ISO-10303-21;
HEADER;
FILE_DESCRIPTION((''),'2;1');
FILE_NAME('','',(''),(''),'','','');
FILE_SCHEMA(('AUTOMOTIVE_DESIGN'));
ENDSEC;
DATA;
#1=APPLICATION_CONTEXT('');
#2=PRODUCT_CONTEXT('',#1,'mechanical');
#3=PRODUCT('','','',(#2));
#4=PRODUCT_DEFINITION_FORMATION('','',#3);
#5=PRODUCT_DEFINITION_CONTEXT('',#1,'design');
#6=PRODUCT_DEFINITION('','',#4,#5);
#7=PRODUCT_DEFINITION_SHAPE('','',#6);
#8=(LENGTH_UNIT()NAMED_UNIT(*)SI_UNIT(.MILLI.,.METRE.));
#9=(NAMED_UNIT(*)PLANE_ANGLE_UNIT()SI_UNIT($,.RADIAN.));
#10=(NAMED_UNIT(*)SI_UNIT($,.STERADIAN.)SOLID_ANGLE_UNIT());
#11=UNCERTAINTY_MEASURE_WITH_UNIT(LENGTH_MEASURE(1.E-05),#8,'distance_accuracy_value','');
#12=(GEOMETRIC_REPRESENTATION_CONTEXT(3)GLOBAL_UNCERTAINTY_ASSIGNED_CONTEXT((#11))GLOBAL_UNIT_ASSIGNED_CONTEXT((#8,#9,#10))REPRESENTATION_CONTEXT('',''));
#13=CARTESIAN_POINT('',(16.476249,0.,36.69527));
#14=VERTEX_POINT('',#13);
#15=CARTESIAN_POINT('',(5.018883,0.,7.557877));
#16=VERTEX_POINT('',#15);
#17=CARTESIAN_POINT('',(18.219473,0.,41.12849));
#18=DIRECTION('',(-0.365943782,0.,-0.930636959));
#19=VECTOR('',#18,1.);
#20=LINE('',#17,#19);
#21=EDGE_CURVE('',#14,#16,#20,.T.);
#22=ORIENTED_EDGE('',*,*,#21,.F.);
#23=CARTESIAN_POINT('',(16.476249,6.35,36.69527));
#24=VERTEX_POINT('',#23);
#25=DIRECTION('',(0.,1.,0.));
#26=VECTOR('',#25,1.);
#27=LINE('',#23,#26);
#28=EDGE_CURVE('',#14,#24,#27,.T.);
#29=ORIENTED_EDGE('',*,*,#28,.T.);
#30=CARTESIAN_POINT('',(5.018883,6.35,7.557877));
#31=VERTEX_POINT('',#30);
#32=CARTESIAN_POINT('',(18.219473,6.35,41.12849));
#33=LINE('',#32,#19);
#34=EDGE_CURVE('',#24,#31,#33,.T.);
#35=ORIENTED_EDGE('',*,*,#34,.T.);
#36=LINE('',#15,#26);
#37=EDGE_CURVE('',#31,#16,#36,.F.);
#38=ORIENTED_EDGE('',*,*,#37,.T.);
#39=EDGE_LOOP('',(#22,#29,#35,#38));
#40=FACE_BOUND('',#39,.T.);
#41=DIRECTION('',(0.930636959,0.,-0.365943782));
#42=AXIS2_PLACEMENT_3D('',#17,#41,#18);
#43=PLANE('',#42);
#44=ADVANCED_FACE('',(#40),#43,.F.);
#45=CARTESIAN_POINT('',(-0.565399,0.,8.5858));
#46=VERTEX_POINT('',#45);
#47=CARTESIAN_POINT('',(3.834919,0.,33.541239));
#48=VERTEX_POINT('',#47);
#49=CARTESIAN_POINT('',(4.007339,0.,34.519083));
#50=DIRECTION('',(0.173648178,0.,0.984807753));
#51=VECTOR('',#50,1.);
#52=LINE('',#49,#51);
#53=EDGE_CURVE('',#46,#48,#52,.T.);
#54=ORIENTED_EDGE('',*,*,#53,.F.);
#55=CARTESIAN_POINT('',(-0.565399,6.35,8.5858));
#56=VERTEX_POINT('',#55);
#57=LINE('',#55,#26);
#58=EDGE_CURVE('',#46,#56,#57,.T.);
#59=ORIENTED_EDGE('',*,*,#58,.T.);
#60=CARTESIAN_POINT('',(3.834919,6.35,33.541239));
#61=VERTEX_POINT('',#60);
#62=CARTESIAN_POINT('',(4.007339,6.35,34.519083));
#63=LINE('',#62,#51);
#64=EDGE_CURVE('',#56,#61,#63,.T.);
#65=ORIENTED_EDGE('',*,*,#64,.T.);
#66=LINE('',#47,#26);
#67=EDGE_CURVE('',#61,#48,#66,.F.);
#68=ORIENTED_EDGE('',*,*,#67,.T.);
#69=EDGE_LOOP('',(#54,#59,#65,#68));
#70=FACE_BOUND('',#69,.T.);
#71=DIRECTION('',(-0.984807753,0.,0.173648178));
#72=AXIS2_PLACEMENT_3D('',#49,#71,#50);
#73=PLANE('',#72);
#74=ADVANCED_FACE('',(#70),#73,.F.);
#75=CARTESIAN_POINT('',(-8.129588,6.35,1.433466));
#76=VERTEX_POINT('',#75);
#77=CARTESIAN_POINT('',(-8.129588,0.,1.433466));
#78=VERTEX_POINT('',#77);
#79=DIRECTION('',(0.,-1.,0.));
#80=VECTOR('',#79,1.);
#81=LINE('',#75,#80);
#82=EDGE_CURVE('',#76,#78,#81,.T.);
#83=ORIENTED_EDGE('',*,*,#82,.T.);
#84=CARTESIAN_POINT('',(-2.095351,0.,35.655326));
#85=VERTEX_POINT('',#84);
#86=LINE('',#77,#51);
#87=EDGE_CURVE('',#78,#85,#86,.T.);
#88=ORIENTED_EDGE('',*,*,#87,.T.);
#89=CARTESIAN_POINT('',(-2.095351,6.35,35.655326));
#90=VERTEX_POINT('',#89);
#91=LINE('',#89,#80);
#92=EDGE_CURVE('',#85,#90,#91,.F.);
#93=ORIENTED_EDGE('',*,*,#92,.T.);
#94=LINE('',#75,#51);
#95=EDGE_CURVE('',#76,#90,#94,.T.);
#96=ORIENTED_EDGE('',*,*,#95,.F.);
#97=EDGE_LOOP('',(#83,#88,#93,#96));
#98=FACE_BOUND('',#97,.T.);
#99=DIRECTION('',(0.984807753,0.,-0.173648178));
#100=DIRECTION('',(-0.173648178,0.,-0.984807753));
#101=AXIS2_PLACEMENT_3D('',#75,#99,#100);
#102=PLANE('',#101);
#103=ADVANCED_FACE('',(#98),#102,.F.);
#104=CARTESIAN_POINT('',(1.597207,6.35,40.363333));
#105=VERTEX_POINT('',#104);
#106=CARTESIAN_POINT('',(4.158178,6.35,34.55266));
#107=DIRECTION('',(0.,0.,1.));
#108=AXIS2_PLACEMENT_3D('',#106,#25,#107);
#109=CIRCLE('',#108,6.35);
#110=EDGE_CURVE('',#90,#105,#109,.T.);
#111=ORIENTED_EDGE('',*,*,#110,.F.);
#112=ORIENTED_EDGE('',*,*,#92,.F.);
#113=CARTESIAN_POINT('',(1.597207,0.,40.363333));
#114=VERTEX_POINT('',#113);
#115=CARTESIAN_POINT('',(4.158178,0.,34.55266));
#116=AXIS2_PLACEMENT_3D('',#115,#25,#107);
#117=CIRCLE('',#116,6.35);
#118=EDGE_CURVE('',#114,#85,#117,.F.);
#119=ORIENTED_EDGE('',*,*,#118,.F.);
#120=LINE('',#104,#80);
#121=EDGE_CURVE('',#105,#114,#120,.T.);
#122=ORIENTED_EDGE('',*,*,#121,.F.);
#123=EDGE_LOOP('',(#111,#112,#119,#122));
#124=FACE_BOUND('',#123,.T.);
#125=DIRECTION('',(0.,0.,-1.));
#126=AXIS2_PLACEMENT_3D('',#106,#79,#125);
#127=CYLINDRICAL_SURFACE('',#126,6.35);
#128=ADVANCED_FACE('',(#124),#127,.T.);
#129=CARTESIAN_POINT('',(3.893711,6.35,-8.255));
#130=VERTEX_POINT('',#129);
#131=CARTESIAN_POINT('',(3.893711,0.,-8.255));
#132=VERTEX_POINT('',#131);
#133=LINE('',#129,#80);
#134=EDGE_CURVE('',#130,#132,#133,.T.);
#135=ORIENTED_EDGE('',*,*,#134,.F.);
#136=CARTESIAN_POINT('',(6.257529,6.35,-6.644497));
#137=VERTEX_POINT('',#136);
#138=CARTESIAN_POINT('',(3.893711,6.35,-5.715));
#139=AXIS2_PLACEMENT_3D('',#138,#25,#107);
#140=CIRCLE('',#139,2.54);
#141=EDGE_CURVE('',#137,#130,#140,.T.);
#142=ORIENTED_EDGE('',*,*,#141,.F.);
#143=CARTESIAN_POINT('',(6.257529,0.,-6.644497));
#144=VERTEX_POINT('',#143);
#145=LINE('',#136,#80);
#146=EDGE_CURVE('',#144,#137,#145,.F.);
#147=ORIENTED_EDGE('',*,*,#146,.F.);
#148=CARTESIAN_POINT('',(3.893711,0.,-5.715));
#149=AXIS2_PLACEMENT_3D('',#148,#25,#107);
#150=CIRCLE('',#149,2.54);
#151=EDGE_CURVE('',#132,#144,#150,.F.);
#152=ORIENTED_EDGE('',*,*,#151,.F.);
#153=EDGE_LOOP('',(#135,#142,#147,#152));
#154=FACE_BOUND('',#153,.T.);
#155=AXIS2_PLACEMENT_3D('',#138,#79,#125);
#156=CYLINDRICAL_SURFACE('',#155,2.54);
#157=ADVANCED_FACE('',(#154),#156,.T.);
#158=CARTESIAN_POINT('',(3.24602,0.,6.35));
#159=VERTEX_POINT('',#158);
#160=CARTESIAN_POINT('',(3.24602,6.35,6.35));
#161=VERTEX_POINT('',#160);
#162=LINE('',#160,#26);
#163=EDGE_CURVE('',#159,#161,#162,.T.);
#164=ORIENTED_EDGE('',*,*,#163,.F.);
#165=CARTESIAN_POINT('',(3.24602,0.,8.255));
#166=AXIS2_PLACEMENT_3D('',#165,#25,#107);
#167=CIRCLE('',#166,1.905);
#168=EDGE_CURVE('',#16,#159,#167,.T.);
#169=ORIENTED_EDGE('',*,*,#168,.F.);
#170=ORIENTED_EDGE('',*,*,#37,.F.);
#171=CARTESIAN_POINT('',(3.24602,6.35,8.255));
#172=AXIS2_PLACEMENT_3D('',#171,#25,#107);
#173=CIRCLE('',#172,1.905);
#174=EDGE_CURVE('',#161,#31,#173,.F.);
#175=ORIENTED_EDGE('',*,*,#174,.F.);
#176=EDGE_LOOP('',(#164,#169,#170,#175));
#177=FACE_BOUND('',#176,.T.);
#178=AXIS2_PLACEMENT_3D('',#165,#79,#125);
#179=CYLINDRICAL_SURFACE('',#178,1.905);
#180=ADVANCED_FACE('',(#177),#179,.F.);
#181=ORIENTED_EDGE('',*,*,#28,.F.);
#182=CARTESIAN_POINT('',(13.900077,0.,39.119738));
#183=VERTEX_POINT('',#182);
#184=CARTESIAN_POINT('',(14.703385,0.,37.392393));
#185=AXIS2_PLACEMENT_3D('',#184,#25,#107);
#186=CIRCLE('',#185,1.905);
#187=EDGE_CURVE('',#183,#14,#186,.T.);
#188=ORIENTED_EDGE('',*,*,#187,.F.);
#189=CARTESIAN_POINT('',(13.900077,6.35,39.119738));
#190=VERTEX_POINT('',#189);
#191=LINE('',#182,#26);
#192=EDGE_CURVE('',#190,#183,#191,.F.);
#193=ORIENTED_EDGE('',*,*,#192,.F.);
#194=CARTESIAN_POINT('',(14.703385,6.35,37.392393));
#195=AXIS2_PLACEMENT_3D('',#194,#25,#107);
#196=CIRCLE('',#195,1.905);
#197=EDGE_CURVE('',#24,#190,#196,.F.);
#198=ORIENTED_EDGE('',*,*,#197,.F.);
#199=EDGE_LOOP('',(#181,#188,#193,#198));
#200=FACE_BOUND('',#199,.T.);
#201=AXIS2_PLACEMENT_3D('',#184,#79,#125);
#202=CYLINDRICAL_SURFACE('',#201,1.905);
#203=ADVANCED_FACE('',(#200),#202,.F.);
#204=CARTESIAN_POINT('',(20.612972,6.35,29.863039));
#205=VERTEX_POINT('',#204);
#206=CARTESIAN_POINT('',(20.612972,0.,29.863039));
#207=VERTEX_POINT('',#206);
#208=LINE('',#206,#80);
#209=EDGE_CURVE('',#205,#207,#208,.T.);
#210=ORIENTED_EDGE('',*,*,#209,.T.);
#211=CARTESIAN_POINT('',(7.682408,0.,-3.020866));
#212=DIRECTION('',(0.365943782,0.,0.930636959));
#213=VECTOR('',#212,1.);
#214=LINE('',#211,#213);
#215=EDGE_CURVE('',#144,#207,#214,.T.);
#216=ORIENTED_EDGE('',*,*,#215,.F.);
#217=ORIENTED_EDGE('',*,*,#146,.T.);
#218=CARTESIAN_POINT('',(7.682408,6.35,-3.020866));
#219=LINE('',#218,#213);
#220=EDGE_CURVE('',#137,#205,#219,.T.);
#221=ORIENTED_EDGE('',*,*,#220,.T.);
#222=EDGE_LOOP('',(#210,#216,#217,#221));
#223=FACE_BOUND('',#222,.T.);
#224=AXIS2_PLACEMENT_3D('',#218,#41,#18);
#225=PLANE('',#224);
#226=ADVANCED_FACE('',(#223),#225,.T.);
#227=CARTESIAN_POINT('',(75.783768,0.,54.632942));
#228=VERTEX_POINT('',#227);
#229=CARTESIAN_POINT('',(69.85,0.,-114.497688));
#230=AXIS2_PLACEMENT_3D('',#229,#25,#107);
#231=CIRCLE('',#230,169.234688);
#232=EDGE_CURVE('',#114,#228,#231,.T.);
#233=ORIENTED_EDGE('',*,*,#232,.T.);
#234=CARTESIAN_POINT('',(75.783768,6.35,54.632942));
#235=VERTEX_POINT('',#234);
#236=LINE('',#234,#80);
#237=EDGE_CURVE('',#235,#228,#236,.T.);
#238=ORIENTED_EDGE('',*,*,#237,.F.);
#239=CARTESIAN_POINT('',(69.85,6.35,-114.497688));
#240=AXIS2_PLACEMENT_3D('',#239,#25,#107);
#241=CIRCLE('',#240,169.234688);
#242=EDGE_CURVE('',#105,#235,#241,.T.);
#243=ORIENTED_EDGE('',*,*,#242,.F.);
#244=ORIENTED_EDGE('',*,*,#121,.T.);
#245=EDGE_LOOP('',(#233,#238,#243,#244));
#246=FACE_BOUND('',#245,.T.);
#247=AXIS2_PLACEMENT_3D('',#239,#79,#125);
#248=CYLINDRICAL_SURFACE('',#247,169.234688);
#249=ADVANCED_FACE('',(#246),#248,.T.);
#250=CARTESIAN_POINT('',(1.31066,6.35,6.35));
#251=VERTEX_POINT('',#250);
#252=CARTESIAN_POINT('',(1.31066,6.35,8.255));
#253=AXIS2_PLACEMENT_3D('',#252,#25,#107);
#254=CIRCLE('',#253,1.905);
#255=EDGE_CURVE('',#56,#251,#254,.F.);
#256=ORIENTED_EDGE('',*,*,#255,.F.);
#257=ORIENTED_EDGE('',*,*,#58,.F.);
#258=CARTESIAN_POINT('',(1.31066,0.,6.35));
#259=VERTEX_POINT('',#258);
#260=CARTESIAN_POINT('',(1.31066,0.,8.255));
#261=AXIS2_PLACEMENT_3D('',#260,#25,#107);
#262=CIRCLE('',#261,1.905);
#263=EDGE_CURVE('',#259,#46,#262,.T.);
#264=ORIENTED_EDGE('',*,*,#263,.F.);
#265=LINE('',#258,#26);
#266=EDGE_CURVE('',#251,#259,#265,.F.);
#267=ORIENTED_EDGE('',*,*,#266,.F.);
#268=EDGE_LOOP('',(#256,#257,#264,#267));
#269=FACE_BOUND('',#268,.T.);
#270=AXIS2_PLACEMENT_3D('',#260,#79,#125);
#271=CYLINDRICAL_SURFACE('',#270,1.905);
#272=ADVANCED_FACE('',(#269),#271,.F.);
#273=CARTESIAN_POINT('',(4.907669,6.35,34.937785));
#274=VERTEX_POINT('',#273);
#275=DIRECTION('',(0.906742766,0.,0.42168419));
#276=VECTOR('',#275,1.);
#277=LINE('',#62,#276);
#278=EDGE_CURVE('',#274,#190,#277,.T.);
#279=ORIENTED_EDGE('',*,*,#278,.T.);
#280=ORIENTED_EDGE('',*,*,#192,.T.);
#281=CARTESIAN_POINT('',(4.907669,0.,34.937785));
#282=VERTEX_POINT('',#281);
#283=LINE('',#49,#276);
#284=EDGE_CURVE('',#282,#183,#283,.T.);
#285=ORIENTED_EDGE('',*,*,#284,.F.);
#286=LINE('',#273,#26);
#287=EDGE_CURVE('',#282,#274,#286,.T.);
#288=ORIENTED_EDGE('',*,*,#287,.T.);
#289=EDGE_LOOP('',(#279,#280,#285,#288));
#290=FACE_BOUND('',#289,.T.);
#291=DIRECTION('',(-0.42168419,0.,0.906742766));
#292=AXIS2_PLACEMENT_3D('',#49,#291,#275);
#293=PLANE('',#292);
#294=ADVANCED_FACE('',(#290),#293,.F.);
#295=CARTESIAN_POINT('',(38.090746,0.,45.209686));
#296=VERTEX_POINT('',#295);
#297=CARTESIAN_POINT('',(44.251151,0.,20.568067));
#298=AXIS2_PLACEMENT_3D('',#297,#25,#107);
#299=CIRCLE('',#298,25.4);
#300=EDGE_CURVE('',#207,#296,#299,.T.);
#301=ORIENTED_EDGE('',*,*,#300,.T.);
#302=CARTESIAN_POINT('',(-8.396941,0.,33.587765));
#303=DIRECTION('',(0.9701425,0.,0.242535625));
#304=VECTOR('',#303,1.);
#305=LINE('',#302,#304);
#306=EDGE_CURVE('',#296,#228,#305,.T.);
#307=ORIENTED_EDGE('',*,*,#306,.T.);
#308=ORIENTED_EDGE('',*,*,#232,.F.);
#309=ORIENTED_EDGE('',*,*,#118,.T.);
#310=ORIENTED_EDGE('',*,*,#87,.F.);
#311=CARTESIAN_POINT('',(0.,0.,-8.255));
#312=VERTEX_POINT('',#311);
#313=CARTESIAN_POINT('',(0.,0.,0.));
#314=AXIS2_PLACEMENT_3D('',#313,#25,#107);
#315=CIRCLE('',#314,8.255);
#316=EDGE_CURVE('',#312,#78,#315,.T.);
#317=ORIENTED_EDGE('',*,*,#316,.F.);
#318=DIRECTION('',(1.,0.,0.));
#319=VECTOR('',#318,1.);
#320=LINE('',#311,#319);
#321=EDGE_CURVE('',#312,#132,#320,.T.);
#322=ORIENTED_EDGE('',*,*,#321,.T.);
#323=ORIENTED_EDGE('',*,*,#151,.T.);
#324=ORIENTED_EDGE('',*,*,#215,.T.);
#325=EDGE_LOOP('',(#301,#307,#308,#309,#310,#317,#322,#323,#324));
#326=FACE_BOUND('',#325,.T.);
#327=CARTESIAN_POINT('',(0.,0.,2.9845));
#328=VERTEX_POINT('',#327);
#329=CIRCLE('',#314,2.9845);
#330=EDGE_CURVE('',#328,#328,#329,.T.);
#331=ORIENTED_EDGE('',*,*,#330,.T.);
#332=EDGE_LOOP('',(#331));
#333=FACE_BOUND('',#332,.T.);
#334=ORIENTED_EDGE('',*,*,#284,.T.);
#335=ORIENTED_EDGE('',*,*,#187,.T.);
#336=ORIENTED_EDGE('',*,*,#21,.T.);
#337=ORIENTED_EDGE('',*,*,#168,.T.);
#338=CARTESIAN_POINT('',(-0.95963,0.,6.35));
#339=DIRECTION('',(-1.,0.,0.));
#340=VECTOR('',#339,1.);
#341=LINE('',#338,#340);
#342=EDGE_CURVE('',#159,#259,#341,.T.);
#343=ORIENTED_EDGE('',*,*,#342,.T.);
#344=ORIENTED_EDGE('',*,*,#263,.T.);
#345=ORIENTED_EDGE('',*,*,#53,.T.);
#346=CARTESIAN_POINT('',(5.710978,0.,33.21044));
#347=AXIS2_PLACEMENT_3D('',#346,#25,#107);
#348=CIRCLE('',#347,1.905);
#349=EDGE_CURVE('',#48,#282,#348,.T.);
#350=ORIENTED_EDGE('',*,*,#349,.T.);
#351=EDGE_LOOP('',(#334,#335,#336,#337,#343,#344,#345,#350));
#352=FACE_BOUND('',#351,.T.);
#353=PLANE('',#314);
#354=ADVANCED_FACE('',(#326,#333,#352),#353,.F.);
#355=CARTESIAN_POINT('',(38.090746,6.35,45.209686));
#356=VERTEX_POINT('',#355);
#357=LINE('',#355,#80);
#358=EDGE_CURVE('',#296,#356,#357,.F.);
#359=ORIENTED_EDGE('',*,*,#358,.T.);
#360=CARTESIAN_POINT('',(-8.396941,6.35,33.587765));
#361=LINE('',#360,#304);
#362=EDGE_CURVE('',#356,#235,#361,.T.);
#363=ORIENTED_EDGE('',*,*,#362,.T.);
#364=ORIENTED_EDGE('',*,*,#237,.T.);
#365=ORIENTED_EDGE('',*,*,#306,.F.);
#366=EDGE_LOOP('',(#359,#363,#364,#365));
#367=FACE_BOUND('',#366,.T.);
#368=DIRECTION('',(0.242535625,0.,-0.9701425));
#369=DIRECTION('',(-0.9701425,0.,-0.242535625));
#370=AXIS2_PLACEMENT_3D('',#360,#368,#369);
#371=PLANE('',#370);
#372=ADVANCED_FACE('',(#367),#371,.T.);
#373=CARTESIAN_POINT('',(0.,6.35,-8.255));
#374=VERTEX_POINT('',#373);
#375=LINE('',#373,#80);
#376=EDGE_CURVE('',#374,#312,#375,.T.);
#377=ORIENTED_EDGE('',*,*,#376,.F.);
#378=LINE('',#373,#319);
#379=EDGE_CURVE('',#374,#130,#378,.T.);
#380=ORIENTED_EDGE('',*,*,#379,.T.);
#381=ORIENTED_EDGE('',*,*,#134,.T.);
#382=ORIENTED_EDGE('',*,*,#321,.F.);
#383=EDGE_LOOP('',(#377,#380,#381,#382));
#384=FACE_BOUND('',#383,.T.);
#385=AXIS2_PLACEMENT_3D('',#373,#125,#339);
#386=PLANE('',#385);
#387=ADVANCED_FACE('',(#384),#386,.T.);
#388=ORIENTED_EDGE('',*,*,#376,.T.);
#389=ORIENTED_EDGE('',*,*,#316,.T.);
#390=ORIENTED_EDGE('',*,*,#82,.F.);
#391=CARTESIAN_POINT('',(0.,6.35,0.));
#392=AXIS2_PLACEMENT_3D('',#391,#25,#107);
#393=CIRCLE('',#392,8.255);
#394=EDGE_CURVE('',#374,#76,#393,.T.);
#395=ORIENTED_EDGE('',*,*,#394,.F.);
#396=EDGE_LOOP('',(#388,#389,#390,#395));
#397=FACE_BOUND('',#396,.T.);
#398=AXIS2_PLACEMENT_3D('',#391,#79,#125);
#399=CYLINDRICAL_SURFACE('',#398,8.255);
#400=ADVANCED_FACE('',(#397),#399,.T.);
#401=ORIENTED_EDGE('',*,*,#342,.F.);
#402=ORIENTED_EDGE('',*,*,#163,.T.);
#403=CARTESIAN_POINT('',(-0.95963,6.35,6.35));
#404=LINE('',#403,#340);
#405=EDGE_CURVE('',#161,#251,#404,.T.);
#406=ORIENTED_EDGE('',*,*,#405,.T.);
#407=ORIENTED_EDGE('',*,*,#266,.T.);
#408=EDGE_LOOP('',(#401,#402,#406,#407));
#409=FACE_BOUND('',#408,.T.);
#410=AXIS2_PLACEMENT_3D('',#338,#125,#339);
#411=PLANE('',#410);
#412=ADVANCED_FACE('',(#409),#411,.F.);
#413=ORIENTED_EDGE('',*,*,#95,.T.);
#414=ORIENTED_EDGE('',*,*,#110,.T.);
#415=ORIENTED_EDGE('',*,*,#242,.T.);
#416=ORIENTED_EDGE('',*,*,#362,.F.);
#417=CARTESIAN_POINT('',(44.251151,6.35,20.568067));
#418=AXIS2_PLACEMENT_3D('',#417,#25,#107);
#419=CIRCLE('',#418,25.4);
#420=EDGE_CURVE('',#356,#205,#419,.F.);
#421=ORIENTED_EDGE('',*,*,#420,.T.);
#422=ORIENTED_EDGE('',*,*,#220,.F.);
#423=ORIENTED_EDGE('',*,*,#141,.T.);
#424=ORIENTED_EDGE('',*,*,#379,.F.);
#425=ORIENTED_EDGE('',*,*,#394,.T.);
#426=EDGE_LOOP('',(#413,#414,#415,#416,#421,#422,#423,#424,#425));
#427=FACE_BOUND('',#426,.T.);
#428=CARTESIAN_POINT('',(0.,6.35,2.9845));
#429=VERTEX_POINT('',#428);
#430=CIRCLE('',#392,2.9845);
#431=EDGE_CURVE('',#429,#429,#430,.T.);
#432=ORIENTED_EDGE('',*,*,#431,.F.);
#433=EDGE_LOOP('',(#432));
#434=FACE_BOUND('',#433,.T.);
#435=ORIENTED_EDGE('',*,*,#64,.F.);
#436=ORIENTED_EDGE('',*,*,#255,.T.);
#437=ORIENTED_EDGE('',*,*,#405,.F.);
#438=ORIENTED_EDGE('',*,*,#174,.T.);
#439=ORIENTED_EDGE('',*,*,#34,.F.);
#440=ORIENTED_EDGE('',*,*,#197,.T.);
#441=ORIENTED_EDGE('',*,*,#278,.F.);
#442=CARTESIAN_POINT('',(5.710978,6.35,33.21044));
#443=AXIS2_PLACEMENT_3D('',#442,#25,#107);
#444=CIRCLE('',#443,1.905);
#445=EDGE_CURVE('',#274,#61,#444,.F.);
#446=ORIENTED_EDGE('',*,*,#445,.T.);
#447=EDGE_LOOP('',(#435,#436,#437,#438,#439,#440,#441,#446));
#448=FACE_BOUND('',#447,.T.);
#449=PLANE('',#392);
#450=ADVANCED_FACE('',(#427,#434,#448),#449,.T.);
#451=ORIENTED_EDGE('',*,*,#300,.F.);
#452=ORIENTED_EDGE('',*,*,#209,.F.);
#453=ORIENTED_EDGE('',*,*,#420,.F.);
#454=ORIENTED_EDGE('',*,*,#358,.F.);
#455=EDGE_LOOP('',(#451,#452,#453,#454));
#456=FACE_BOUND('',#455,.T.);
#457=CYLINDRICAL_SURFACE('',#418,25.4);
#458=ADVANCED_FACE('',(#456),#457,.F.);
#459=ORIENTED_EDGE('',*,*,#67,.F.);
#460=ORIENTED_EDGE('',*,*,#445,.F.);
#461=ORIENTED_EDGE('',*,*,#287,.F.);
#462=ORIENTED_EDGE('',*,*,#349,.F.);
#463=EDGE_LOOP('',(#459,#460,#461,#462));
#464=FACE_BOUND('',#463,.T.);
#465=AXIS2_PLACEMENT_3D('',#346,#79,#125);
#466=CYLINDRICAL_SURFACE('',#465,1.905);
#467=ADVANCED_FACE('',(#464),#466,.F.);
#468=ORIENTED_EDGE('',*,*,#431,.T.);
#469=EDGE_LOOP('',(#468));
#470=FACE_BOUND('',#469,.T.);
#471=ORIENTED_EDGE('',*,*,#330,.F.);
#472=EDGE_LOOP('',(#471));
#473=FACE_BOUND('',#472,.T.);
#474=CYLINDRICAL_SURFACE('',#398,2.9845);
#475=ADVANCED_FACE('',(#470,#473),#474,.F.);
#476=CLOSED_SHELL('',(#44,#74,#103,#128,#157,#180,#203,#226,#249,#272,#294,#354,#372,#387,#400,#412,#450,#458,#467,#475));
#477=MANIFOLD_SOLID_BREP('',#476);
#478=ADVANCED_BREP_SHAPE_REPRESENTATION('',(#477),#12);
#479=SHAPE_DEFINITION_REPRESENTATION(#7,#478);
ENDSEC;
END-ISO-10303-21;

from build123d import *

# Parameters (mm, degrees)
SKETCH1_R           = 2.9845
BOSS_EXTRUDE1_DEPTH = 6.35
CUT_EXTRUDE1_DEPTH  = 7.35
FILLET1_R           = 25.4
FILLET2_R           = 6.35
FILLET3_R           = 1.905
FILLET4_R           = 2.54


with BuildPart() as part:
    # Sketch1 → Boss-Extrude1 (new body)
    with BuildSketch(Plane(origin=(0, 0, 0), x_dir=(1, 0, 0), z_dir=(0, 1, 0))):
        with BuildLine():
            Line((7.682408093, 3.020865917), (5.624249106, 8.255))
            Line((5.624249106, 8.255), (0, 8.255))
            ThreePointArc((0, 8.255), (-6.323696878, 5.306211718), (-8.129588001, -1.433465707))
            Line((-8.129588001, -1.433465707), (-1.513592432, -38.954641096))
            ThreePointArc((-1.513592432, -38.954641096), (33.306036144, -50.744311292), (69.85, -54.737))
            ThreePointArc((69.85, -54.737), (72.817340251, -54.71098351), (75.783768162, -54.632942041))
            Line((75.783768162, -54.632942041), (25.4, -42.037))
            Line((25.4, -42.037), (7.682408093, 3.020865917))
        make_face()
        Circle(SKETCH1_R, mode=Mode.SUBTRACT)
    extrude(amount=BOSS_EXTRUDE1_DEPTH)

    # Sketch2 → Cut-Extrude1 (cut, through all)
    with BuildSketch(Plane(origin=(0, 6.35, 0), x_dir=(1, 0, 0), z_dir=(0, 1, 0))):
        Polygon((4.007338902, -34.519082642), (18.219473265, -41.128490063), (4.543923357, -6.35), (-0.959630389, -6.35), align=None)
    extrude(amount=-CUT_EXTRUDE1_DEPTH, mode=Mode.SUBTRACT)

    # Fillet1
    fillet1_edges = [part.edges().sort_by_distance(p)[0] for p in [
        (25.4, 3.175, 42.037),
    ]]
    fillet(fillet1_edges, radius=FILLET1_R)

    # Fillet2
    fillet2_edges = [part.edges().sort_by_distance(p)[0] for p in [
        (-1.513592432, 3.175, 38.954641096),
    ]]
    fillet(fillet2_edges, radius=FILLET2_R)

    # Fillet3
    fillet3_edges = [part.edges().sort_by_distance(p)[0] for p in [
        (-0.959630389, 3.175, 6.35),
        (4.543923357, 3.175, 6.35),
        (18.219473265, 3.175, 41.128490063),
        (4.007338902, 3.175, 34.519082642),
    ]]
    fillet(fillet3_edges, radius=FILLET3_R)

    # Fillet4
    fillet4_edges = [part.edges().sort_by_distance(p)[0] for p in [
        (5.624249106, 3.175, -8.255),
    ]]
    fillet(fillet4_edges, radius=FILLET4_R)


solid = part.part
